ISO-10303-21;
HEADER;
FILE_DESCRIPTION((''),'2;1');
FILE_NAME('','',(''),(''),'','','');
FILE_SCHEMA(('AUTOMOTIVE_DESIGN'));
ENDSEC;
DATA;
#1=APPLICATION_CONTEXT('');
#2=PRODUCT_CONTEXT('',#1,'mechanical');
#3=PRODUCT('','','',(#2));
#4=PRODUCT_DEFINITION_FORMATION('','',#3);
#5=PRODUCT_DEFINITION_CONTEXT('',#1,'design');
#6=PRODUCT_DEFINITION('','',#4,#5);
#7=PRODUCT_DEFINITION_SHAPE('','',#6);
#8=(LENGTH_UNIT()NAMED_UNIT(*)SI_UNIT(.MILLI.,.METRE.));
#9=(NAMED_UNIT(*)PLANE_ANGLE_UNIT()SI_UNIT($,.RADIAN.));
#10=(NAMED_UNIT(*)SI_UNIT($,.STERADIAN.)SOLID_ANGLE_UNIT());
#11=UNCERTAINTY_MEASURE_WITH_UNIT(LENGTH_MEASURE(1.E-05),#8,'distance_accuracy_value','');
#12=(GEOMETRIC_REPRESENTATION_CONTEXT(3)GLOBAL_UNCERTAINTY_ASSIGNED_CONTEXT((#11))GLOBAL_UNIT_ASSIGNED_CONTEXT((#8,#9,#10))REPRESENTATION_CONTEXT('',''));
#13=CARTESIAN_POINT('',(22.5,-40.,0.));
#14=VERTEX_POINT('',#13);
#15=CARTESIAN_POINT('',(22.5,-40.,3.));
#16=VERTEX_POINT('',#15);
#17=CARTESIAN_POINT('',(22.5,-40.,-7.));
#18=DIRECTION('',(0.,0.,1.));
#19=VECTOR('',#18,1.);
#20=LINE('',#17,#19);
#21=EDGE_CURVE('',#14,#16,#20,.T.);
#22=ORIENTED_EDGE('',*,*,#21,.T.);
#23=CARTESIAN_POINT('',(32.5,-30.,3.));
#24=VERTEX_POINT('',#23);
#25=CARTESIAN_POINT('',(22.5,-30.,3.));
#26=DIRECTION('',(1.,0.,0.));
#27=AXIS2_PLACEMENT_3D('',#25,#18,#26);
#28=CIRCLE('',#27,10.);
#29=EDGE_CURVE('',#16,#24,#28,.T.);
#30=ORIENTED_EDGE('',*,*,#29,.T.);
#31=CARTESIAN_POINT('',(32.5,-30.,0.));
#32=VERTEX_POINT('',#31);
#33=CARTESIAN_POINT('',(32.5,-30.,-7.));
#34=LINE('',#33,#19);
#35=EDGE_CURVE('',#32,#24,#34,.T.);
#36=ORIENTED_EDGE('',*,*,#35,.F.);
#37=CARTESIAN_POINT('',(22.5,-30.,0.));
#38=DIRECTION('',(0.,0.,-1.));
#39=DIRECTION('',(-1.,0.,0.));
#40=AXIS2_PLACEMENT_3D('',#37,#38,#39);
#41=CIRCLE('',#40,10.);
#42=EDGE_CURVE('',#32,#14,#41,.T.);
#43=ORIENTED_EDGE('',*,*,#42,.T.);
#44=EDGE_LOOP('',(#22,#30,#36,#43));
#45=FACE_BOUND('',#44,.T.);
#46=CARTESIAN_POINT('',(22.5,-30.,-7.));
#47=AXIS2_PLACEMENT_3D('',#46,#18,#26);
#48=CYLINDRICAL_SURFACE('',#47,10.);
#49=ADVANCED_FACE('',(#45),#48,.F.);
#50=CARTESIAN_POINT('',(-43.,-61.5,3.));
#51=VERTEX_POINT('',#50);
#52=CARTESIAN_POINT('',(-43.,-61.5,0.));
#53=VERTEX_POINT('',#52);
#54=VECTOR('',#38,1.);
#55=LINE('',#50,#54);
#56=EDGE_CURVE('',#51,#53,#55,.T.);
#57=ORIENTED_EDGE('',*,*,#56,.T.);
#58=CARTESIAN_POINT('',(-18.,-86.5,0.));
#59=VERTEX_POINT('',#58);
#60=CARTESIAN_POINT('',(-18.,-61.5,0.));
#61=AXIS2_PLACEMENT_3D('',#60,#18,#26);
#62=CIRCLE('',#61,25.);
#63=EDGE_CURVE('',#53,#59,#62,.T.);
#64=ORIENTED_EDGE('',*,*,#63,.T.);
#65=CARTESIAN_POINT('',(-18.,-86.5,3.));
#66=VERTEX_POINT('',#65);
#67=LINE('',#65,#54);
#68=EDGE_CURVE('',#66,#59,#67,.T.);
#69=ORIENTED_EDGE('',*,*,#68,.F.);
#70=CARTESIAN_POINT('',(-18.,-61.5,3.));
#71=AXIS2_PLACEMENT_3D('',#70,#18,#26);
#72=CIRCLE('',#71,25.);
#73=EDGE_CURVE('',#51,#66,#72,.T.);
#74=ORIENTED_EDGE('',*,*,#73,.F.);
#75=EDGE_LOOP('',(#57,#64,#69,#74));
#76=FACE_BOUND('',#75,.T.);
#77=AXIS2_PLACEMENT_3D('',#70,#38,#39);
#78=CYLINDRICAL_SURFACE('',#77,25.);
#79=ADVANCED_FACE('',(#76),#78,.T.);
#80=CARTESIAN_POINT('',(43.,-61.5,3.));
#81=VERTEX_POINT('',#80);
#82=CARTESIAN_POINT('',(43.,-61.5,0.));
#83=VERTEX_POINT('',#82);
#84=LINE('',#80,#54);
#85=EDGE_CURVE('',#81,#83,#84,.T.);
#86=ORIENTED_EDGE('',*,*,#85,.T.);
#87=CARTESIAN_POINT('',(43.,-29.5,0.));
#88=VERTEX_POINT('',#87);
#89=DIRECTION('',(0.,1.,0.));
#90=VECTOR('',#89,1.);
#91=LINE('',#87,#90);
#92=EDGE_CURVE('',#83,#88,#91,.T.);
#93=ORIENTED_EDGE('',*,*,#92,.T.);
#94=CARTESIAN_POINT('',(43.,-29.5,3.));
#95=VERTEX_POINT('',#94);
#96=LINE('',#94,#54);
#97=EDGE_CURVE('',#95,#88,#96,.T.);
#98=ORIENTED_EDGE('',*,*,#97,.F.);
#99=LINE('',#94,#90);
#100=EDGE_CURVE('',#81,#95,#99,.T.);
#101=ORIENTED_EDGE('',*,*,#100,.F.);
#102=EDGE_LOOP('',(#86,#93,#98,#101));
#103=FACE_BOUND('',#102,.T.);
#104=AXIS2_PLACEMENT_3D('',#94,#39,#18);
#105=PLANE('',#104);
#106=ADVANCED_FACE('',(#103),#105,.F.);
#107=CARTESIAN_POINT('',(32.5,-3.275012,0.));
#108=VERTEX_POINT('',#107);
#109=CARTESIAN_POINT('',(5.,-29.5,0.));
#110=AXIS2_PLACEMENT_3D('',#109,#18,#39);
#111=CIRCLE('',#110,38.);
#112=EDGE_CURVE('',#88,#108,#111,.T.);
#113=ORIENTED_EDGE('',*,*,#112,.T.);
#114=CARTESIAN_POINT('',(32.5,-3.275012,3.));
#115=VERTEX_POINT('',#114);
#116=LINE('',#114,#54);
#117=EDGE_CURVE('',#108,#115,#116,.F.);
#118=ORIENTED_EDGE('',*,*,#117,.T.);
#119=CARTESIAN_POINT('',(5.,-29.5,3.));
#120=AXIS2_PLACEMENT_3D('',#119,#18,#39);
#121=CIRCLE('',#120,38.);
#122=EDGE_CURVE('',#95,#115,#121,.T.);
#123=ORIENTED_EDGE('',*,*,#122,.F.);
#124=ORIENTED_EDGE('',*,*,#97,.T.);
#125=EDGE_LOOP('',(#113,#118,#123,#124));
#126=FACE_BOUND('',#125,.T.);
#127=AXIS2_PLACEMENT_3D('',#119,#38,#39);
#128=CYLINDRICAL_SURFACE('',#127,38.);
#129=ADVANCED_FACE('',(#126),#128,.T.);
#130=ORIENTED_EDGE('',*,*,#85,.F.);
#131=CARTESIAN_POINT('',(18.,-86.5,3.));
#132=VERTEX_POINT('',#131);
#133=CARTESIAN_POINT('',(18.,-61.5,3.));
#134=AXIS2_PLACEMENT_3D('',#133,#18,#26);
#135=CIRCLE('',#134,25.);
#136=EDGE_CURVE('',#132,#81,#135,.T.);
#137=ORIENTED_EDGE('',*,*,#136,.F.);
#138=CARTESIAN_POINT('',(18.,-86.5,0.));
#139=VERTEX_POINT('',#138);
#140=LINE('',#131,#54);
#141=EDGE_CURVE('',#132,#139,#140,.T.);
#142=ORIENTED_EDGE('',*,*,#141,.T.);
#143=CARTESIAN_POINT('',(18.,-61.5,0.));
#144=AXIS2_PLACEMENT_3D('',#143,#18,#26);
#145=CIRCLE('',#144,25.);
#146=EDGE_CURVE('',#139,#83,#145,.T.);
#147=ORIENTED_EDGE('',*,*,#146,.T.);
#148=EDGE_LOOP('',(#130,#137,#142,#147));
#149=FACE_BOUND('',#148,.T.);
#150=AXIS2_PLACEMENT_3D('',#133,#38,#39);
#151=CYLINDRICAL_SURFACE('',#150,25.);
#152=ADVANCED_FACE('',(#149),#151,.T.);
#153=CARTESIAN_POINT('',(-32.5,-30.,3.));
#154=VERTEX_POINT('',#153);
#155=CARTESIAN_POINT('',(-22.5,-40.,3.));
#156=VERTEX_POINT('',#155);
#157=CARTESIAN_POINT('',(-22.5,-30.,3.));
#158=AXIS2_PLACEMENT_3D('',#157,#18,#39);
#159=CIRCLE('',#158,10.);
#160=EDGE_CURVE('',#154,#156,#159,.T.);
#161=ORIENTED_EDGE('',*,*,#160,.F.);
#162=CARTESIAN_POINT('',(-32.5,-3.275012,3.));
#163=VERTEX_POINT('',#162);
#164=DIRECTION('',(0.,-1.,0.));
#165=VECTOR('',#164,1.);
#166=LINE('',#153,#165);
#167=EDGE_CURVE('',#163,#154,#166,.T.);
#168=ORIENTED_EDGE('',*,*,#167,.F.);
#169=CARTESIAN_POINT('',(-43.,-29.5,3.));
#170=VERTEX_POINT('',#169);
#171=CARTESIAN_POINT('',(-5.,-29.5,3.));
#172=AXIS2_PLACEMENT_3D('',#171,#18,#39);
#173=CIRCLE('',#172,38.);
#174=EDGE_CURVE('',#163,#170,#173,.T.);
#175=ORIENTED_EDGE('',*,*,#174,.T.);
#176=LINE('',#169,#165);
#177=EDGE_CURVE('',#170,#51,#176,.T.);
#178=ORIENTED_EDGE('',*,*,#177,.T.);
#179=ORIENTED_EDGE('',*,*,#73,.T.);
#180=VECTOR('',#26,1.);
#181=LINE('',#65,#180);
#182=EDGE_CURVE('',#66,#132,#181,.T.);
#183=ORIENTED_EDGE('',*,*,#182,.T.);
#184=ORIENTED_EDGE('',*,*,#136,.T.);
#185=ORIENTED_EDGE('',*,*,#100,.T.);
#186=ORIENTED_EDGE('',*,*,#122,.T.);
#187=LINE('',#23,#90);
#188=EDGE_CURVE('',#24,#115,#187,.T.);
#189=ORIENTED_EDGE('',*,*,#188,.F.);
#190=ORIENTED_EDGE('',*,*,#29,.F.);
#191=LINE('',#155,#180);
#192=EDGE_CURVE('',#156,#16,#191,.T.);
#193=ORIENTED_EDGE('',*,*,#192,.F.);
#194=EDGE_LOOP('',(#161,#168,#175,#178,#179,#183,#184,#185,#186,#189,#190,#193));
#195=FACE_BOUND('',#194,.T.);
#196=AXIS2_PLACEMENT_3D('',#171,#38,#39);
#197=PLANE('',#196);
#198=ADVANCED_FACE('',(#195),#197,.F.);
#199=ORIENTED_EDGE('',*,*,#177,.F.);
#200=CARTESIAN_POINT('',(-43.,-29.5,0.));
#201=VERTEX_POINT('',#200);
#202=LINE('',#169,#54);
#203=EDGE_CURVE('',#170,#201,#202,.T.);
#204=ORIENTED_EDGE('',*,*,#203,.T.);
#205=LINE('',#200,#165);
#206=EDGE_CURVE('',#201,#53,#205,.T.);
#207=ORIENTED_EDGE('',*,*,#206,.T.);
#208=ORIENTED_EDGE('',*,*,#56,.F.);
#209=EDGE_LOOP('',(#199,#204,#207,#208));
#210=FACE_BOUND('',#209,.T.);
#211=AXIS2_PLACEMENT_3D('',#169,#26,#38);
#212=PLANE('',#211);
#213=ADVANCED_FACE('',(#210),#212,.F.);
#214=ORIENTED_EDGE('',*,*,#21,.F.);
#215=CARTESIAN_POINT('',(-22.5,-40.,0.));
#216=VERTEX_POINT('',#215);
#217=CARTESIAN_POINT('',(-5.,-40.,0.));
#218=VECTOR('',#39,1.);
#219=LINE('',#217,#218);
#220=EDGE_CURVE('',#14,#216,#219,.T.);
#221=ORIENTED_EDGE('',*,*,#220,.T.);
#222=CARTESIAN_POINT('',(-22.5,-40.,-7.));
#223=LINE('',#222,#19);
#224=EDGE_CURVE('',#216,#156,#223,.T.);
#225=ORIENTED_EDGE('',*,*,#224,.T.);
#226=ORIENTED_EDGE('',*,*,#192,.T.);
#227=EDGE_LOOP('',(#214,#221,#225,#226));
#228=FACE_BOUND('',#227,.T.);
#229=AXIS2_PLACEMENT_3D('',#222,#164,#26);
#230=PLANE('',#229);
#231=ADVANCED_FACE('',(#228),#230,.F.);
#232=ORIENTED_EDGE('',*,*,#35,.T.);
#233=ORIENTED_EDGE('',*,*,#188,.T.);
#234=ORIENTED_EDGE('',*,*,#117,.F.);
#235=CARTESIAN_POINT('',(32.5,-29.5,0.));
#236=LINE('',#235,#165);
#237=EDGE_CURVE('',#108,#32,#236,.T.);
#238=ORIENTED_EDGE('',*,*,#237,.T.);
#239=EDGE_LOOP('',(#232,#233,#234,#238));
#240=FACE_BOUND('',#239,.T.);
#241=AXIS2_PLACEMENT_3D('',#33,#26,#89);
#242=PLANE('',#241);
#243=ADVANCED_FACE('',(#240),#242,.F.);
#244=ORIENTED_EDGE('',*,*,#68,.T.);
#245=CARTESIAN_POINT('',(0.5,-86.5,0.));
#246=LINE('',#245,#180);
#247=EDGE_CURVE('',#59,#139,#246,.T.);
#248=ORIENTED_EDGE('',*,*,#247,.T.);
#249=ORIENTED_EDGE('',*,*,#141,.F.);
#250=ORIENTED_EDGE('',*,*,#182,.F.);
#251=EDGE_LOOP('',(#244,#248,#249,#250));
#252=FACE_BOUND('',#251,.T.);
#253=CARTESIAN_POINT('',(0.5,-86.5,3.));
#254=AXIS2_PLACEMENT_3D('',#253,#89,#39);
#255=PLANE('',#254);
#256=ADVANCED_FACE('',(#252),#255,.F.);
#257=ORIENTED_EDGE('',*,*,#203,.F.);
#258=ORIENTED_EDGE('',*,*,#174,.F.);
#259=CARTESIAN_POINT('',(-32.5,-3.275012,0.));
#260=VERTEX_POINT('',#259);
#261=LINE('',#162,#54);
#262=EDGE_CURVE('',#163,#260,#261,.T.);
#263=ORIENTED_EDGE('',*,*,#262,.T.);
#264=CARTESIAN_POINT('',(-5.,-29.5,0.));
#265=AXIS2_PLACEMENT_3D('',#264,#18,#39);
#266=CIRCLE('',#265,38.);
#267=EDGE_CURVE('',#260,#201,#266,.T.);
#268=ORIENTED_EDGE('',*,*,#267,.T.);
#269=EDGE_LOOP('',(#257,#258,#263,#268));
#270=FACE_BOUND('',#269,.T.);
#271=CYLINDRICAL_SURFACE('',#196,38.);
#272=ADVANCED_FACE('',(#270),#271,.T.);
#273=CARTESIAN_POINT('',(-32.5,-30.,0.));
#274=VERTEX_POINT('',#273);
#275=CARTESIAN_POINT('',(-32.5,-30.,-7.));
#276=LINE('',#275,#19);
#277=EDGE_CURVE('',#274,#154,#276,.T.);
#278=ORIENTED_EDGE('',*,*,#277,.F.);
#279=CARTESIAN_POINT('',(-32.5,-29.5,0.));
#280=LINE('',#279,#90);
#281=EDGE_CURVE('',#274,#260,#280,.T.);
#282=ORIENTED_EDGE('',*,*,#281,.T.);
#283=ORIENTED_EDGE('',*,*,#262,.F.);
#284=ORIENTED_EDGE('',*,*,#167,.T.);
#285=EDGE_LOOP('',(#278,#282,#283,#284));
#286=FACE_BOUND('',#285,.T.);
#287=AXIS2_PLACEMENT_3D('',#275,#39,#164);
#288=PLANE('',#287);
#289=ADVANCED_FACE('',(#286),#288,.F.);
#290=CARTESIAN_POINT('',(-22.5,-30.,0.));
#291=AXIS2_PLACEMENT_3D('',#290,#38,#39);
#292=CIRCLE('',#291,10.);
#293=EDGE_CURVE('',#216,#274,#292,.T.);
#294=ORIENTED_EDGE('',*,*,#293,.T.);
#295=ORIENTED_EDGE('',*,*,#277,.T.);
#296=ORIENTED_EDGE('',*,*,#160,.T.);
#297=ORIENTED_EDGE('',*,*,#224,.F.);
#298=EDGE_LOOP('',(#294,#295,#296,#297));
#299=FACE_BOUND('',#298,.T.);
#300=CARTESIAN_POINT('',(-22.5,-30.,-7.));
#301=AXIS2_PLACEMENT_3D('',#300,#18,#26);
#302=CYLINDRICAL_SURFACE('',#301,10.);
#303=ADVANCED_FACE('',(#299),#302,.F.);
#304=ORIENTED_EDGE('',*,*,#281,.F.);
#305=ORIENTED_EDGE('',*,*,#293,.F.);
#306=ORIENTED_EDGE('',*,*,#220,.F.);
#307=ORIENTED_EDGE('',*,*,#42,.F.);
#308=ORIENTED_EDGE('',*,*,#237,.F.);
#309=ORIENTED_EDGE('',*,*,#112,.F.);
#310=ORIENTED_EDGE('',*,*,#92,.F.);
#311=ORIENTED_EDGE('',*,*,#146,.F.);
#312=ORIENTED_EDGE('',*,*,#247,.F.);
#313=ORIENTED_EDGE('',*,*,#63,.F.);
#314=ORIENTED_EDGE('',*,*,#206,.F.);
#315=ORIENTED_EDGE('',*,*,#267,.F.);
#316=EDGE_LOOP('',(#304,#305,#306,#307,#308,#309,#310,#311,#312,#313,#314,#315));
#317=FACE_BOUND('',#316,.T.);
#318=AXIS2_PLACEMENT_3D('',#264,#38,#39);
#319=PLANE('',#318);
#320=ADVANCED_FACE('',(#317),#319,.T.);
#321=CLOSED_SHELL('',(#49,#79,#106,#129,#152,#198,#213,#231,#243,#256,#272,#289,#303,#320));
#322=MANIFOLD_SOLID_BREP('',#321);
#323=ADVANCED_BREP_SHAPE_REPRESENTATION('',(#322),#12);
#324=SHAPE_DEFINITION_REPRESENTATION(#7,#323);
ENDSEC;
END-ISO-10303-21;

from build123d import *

# Parameters (mm, degrees)
BOSS_EXTRUDE1_DEPTH = 3
CUT_EXTRUDE1_DEPTH  = 10


with BuildPart() as part:
    # Sketch1 → Boss-Extrude1 (new body)
    with BuildSketch(Plane.XY):
        with BuildLine():
            Line((-5, 8.5), (5, 8.5))
            ThreePointArc((5, 8.5), (31.870057685, -2.629942315), (43, -29.5))
            Line((43, -29.5), (43, -61.5))
            ThreePointArc((43, -61.5), (35.67766953, -79.17766953), (18, -86.5))
            Line((18, -86.5), (0.5, -86.5))
            Line((0.5, -86.5), (-0.5, -86.5))
            Line((-0.5, -86.5), (-18, -86.5))
            ThreePointArc((-18, -86.5), (-35.67766953, -79.17766953), (-43, -61.5))
            Line((-43, -61.5), (-43, -29.5))
            ThreePointArc((-43, -29.5), (-31.870057685, -2.629942315), (-5, 8.5))
        make_face()
    extrude(amount=BOSS_EXTRUDE1_DEPTH)

    # Sketch2 → Cut-Extrude1 (cut)
    with BuildSketch(Plane.XY.offset(3)):
        with BuildLine():
            Line((-22.5, -40), (22.5, -40))
            ThreePointArc((22.5, -40), (29.571067812, -37.071067812), (32.5, -30))
            Line((32.5, -30), (32.5, 20))
            ThreePointArc((32.5, 20), (29.571067812, 27.071067812), (22.5, 30))
            Line((22.5, 30), (-22.5, 30))
            ThreePointArc((-22.5, 30), (-29.571067812, 27.071067812), (-32.5, 20))
            Line((-32.5, 20), (-32.5, -30))
            ThreePointArc((-32.5, -30), (-29.571067812, -37.071067812), (-22.5, -40))
        make_face()
    extrude(amount=-CUT_EXTRUDE1_DEPTH, mode=Mode.SUBTRACT)


solid = part.part
